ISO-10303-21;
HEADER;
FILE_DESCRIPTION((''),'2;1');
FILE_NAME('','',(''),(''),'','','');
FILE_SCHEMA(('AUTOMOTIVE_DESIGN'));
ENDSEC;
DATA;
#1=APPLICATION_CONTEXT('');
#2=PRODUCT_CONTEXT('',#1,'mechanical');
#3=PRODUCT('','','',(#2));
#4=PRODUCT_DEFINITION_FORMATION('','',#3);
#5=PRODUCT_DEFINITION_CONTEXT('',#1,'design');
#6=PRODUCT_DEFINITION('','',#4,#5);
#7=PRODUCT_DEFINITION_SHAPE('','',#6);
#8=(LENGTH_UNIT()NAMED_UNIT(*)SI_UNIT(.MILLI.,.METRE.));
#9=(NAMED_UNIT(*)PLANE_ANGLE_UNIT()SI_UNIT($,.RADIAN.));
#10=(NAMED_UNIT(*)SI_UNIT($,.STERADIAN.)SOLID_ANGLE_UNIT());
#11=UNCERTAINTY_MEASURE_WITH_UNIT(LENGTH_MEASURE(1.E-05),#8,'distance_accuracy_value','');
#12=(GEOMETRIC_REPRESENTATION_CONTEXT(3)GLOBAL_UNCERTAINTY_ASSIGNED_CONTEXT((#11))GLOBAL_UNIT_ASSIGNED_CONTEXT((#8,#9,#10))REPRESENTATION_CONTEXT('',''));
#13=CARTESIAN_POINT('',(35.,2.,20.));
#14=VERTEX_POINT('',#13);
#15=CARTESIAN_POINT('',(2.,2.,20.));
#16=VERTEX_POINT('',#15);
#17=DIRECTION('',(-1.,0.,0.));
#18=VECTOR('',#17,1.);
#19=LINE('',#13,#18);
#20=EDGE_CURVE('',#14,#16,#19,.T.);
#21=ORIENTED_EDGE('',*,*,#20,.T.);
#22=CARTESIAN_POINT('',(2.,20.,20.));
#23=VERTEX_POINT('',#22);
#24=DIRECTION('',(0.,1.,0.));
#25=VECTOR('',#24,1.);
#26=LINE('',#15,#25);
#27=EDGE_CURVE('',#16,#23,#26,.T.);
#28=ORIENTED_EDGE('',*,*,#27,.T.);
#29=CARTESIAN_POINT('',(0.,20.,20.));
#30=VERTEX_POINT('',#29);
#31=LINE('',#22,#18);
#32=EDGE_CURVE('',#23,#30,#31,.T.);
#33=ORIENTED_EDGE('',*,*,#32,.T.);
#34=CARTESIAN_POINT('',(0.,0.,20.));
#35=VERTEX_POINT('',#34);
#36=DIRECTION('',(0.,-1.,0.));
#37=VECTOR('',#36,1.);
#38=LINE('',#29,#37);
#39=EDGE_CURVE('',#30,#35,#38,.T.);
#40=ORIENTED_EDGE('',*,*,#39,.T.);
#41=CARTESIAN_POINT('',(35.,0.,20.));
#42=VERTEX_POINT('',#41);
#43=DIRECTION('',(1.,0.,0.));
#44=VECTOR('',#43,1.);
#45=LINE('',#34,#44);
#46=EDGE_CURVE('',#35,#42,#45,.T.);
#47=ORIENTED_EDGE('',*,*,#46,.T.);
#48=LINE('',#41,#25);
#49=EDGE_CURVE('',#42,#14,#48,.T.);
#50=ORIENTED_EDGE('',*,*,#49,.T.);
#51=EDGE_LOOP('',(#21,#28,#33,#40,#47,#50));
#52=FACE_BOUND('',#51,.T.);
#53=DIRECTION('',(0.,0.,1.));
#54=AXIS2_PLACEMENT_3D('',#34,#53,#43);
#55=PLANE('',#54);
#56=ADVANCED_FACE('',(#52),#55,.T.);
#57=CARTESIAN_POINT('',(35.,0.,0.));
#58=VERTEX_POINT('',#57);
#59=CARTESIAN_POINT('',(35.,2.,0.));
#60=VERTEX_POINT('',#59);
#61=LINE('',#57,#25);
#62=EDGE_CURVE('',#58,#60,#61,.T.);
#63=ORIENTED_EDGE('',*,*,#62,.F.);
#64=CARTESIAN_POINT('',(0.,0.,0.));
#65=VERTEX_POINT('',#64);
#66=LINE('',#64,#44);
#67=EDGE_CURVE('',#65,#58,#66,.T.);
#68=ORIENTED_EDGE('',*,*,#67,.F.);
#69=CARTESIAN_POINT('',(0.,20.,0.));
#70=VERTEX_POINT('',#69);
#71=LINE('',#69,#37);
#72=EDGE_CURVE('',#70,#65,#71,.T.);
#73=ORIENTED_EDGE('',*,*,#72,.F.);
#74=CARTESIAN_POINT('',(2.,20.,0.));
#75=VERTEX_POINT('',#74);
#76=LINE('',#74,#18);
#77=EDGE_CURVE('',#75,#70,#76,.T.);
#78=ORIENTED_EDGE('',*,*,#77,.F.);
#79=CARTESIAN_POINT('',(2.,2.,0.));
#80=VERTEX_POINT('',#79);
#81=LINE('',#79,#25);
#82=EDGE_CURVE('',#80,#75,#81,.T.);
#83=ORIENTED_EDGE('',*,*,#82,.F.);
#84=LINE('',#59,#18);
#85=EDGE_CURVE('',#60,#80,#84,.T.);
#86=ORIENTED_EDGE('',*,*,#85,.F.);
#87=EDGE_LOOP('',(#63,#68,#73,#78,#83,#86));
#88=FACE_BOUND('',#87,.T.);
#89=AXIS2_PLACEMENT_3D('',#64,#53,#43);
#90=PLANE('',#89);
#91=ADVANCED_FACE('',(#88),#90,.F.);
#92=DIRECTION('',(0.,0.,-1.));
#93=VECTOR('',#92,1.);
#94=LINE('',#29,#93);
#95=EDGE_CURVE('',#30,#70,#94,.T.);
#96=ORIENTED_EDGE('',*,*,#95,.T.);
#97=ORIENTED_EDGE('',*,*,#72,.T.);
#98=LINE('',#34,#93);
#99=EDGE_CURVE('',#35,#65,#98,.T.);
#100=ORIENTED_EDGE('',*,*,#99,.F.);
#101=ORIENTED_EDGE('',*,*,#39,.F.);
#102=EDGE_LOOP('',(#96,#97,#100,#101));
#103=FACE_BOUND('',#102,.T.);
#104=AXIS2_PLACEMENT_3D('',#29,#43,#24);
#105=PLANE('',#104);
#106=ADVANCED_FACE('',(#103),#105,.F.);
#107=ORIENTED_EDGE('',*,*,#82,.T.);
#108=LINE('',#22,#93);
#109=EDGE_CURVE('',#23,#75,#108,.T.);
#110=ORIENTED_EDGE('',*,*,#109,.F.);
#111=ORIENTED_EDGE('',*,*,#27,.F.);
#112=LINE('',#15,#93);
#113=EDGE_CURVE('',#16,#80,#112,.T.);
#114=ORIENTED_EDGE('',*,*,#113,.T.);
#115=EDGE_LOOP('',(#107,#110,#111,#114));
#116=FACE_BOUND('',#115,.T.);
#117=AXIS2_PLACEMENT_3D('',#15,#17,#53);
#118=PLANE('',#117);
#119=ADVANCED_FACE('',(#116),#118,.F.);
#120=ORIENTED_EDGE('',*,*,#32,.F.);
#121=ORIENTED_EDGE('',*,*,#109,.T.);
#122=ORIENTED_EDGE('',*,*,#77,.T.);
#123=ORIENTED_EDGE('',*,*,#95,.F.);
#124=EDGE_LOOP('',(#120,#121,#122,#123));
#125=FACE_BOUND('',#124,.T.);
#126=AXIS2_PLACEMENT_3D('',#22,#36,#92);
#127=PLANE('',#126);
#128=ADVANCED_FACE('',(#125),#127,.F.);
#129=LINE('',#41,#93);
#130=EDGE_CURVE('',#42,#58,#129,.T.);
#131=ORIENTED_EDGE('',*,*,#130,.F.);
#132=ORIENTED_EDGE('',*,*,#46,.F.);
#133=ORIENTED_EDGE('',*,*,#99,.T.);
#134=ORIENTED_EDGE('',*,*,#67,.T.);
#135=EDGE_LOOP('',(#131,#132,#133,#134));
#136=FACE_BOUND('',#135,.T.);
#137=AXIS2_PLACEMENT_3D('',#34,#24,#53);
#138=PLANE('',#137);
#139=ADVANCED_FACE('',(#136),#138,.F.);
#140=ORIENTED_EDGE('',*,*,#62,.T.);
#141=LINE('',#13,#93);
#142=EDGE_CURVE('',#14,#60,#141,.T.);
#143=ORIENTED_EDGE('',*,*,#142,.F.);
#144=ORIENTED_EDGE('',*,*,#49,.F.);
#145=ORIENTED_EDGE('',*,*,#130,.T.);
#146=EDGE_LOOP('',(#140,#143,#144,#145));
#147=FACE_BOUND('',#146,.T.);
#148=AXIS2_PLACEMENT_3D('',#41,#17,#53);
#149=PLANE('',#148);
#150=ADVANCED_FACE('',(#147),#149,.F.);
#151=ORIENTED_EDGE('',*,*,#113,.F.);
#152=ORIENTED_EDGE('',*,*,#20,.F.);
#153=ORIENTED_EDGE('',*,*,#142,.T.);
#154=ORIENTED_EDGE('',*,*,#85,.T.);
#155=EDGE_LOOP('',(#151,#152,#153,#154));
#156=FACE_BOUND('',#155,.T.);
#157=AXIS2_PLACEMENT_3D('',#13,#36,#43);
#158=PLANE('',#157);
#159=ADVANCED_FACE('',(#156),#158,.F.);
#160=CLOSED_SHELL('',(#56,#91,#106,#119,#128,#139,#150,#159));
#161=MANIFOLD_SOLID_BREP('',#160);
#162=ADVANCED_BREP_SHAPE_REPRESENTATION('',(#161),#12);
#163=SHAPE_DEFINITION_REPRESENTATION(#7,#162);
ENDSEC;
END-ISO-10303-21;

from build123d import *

# Parameters (mm, degrees)
EXTRUDE_1_DEPTH = 20


with BuildPart() as part:
    # Эскиз1 → Бобышка-Вытянуть1 (new body)
    with BuildSketch(Plane.XY):
        Polygon((0, 0), (35, 0), (35, 2), (2, 2), (2, 20), (0, 20), align=None)
    extrude(amount=EXTRUDE_1_DEPTH)


solid = part.part
